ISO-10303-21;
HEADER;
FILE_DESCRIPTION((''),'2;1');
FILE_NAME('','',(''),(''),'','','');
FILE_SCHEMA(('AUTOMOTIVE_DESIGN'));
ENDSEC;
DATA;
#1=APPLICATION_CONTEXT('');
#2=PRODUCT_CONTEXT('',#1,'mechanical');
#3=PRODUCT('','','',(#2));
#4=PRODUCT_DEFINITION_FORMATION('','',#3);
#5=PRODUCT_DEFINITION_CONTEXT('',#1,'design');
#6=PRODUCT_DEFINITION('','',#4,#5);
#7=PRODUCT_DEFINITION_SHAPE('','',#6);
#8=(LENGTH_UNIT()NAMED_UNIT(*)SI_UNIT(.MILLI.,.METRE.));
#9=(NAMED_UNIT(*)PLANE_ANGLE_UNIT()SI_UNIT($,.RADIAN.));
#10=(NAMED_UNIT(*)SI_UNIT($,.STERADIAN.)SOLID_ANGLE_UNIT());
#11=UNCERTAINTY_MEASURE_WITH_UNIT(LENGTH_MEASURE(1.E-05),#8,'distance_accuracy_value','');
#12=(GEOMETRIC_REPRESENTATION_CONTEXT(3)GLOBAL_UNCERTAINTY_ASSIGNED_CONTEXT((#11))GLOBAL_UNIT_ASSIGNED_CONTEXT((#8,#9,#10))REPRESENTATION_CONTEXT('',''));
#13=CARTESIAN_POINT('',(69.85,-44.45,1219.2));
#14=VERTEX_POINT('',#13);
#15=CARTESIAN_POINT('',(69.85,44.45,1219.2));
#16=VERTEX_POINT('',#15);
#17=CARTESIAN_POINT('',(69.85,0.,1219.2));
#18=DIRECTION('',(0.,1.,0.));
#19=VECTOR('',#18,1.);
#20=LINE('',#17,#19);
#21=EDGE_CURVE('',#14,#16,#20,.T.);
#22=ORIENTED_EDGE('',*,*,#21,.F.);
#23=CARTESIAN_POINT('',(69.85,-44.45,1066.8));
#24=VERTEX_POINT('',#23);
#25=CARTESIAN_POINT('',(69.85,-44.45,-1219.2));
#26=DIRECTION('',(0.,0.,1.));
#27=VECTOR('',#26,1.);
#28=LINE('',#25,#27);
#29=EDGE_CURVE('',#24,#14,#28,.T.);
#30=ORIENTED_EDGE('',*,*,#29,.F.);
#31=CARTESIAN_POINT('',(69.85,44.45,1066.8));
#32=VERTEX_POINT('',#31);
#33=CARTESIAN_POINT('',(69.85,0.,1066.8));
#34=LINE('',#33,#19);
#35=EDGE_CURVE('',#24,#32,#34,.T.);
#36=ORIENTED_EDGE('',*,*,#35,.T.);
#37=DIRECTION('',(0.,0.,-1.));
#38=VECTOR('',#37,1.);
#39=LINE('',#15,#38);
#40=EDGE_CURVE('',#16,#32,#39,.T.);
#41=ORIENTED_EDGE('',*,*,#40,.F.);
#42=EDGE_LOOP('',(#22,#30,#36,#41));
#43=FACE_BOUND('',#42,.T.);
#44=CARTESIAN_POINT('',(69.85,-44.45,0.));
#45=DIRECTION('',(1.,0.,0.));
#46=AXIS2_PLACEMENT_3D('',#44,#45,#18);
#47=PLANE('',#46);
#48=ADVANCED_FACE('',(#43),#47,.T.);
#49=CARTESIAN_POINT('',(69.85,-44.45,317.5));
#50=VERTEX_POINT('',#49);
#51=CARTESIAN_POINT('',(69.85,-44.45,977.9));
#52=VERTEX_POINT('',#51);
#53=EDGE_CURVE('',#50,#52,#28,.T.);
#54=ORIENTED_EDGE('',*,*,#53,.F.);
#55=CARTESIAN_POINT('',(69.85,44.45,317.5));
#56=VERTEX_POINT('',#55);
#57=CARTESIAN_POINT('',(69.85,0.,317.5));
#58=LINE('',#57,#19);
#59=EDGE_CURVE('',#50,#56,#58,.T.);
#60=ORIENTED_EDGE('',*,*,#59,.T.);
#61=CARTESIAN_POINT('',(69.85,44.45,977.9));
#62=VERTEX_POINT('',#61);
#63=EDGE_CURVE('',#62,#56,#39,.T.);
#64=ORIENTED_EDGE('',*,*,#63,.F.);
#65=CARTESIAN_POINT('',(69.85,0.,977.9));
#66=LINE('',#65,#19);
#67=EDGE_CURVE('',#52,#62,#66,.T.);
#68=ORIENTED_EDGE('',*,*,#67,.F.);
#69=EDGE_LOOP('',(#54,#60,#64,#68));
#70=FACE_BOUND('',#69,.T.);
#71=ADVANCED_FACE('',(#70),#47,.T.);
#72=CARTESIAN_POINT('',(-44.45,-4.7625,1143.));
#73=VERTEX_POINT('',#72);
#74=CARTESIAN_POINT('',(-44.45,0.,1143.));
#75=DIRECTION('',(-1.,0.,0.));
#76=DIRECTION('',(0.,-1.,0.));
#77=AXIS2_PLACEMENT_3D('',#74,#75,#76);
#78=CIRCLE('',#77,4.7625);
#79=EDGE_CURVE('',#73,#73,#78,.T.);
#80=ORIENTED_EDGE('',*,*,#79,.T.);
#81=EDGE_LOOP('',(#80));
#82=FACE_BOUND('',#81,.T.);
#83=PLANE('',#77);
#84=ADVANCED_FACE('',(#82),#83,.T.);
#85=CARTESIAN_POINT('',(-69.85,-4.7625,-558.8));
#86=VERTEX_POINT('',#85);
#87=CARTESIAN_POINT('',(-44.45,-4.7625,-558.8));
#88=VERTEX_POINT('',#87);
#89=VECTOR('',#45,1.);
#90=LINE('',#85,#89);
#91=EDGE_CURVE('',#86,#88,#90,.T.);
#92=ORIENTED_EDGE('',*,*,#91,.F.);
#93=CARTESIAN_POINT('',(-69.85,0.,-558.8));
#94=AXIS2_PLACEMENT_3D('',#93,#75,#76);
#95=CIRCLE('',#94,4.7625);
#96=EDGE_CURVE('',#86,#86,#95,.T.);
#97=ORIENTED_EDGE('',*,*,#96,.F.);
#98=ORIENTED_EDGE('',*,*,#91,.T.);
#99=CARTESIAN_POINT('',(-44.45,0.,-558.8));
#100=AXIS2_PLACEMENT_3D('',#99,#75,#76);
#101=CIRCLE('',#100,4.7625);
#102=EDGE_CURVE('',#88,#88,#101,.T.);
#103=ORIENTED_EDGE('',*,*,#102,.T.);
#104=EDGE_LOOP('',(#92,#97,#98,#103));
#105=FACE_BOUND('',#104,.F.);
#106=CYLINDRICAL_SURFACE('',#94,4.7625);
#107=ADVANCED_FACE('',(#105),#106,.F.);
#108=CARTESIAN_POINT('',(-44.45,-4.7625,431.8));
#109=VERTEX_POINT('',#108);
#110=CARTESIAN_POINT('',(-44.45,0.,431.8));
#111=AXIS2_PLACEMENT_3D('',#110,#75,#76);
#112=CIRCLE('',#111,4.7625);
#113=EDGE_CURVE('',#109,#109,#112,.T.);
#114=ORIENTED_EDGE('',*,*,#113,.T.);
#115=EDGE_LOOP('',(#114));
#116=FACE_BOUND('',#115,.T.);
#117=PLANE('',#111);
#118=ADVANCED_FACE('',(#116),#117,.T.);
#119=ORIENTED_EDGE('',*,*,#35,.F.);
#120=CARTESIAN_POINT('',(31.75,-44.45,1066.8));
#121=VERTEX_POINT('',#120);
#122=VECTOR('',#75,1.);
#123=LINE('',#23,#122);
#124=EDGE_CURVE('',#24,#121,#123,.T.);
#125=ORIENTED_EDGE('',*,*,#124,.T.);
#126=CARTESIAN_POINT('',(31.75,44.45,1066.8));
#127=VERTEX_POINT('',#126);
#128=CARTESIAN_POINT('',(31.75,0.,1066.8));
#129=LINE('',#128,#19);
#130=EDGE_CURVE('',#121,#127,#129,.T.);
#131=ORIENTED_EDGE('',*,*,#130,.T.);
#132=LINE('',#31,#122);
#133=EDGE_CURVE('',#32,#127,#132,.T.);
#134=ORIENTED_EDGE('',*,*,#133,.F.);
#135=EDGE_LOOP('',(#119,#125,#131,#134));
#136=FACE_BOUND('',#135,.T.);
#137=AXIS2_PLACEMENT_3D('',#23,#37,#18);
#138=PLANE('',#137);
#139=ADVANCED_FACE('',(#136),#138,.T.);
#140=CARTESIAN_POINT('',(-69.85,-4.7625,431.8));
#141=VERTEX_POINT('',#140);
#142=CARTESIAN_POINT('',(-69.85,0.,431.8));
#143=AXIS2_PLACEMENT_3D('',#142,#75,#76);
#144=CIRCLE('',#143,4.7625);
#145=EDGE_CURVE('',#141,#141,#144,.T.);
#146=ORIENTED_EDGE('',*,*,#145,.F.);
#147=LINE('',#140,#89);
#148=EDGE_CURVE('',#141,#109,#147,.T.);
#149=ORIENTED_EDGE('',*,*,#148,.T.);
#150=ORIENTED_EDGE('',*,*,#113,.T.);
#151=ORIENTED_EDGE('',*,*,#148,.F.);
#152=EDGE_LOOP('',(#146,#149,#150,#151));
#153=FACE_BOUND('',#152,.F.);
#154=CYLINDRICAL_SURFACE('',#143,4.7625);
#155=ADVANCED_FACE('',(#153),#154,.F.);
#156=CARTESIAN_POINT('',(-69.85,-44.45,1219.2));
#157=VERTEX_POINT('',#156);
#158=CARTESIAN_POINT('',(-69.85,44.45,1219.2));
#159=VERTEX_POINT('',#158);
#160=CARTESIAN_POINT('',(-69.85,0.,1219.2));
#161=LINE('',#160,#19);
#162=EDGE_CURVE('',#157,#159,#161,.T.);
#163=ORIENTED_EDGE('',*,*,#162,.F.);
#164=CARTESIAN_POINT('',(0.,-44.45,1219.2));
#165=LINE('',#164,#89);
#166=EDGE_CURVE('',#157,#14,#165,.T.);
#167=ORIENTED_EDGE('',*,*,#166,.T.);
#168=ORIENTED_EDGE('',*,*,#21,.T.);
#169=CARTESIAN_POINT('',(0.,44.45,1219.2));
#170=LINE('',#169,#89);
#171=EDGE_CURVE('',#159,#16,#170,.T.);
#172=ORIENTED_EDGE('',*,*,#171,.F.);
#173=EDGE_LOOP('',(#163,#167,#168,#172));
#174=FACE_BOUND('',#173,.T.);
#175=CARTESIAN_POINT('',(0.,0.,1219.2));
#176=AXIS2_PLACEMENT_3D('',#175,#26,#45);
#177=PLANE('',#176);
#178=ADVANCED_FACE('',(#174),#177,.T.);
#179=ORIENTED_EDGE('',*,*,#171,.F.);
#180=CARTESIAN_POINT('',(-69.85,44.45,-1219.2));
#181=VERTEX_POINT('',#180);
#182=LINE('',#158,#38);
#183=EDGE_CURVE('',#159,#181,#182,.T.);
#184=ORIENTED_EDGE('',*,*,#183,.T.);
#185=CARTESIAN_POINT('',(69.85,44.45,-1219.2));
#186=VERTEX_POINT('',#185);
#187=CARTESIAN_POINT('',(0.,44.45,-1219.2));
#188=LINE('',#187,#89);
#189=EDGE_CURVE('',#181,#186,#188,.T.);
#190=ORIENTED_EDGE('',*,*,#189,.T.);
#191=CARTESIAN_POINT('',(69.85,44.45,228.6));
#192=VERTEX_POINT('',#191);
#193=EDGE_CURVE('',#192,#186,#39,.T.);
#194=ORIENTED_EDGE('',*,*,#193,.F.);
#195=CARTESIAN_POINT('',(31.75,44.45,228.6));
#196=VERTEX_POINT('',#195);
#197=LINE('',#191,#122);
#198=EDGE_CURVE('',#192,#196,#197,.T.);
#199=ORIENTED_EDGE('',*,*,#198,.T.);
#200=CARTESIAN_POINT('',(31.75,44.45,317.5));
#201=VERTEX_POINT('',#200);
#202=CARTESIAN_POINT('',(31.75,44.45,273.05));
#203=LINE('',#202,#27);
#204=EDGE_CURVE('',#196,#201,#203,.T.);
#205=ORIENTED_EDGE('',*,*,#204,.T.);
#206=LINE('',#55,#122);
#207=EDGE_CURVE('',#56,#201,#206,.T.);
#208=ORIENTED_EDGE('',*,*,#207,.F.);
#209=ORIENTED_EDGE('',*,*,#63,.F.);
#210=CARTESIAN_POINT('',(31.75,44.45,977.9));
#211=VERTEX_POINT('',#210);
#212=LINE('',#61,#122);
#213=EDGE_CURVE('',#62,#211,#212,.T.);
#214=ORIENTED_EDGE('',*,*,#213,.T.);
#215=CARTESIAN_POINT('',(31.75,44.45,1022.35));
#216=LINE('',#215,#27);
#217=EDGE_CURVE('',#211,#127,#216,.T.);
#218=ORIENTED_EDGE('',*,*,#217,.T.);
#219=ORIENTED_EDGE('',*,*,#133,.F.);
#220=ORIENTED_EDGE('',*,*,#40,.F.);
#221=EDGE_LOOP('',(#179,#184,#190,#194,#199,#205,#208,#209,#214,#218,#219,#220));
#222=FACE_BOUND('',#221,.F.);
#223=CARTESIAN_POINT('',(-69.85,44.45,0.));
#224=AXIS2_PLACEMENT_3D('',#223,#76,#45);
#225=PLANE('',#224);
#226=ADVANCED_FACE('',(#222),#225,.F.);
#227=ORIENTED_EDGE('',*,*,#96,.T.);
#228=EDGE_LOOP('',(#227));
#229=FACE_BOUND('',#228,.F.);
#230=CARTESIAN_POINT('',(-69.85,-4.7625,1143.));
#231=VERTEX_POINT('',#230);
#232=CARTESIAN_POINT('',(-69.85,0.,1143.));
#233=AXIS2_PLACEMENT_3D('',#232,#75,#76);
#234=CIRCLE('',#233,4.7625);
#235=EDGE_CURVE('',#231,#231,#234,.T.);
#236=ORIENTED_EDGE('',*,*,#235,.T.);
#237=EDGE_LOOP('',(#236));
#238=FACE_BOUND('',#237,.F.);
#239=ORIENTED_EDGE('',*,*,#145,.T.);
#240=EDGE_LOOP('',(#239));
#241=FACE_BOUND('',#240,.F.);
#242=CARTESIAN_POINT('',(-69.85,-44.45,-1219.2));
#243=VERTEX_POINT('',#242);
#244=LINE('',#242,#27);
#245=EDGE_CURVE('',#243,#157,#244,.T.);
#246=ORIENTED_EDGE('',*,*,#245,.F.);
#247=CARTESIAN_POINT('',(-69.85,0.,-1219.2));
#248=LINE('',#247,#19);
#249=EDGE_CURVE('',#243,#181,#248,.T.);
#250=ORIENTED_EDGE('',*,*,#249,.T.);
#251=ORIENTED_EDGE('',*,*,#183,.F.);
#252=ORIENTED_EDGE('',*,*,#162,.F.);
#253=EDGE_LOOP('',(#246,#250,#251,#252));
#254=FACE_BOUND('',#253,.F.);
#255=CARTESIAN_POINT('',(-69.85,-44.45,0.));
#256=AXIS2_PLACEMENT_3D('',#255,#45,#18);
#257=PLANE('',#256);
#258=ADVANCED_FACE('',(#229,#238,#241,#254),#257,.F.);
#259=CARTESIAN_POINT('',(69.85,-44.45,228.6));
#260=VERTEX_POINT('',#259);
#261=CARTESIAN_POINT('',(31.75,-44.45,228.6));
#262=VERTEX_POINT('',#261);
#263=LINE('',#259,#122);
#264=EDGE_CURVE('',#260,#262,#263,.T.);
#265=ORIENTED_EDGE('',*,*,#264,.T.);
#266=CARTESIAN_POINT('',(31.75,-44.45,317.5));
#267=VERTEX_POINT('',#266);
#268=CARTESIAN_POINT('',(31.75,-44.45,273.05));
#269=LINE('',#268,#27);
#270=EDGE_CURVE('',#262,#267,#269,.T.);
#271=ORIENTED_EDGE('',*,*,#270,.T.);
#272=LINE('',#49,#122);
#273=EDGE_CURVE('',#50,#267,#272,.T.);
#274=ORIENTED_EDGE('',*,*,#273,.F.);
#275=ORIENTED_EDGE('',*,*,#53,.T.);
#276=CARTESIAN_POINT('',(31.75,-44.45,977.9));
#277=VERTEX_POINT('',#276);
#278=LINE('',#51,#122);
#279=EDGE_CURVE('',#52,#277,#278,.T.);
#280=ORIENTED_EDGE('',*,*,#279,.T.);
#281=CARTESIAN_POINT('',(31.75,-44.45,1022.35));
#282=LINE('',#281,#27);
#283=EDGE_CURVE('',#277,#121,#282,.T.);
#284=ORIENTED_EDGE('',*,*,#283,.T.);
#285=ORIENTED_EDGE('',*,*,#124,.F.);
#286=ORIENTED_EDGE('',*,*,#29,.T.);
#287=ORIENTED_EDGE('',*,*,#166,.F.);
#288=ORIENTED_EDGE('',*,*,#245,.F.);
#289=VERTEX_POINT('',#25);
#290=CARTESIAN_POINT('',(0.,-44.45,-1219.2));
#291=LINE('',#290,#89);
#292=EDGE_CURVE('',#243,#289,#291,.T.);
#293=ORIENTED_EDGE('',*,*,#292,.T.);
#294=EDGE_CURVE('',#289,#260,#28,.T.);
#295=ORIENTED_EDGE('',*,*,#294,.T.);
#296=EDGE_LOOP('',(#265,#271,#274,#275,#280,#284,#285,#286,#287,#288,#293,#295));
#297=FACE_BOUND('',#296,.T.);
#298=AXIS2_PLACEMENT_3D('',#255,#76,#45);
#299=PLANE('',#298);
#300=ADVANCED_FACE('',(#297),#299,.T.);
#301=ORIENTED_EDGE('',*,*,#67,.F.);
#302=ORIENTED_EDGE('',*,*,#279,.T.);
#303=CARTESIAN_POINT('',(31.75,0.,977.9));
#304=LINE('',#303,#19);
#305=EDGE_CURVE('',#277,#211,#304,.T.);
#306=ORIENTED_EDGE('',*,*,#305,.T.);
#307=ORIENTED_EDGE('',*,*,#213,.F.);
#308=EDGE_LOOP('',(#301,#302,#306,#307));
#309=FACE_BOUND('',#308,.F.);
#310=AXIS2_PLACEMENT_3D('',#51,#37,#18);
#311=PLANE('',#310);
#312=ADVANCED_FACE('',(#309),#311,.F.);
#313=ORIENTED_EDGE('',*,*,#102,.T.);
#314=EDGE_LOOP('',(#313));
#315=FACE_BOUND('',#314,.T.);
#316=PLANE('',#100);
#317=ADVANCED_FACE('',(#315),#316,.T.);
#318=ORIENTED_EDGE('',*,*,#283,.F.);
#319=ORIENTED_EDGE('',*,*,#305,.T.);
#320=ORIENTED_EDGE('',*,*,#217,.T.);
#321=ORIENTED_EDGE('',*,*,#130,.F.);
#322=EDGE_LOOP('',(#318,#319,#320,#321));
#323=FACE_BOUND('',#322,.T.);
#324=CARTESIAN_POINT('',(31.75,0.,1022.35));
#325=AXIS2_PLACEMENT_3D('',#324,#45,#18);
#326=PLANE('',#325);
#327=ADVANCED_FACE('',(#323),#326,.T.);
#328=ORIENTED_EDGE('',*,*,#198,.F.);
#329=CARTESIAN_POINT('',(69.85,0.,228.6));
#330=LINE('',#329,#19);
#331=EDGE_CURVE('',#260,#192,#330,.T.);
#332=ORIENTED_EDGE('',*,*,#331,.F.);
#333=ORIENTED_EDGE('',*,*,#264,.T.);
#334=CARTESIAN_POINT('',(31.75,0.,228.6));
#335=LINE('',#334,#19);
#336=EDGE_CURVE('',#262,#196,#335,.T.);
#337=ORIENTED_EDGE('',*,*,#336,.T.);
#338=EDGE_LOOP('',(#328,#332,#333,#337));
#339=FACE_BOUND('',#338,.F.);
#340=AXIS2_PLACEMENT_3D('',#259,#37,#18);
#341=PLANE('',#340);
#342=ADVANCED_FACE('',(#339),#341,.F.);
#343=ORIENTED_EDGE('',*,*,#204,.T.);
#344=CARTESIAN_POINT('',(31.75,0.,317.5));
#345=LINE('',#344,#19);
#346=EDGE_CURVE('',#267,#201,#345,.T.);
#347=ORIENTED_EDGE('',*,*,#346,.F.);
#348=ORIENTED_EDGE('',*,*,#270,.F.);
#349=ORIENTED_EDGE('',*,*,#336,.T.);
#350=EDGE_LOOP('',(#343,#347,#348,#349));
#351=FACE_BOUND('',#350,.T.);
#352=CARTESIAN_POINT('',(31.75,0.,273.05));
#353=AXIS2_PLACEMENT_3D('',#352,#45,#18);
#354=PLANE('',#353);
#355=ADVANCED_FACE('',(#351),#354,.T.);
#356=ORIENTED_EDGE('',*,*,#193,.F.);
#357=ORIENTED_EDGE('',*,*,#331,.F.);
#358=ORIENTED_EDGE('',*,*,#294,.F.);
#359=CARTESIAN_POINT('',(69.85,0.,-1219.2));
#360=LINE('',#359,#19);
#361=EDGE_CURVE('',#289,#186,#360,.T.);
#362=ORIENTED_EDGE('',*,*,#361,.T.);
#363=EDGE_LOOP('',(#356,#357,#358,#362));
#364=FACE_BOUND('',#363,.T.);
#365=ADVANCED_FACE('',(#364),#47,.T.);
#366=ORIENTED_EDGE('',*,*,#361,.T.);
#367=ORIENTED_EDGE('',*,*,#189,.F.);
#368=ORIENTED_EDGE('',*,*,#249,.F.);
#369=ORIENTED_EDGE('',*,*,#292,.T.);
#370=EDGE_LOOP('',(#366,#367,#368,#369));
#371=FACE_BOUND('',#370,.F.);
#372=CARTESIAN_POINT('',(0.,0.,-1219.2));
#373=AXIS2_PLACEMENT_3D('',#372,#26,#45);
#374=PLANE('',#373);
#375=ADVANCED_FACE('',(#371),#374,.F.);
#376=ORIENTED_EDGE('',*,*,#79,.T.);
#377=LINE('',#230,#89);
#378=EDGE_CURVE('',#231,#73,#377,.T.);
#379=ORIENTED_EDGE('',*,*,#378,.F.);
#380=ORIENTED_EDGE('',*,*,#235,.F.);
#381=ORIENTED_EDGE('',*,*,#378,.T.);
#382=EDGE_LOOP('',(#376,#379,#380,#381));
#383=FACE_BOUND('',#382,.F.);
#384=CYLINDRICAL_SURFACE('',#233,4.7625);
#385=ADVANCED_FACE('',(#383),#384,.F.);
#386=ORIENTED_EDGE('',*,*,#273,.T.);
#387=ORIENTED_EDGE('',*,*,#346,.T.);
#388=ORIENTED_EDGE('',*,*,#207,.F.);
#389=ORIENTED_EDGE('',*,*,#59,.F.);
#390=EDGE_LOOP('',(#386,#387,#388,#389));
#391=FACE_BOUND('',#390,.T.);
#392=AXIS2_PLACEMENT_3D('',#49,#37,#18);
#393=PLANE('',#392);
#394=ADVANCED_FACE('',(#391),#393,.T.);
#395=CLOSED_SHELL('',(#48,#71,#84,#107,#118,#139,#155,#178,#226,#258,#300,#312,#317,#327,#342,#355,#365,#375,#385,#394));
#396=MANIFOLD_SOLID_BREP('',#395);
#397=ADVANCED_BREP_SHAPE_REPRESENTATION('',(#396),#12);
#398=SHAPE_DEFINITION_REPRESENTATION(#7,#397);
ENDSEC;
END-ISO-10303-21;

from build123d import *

# Parameters (mm, degrees)
F0_W     = 139.7
F0_H     = 88.9
F1_DEPTH = 1219.2
F2_W     = 88.9
F2_H     = 88.9
F3_DEPTH = 38.1
F4_R     = 4.7625
F5_DEPTH = 25.4


with BuildPart() as f1:
    # F0 (on Top) → F1 (new body, symmetric)
    with BuildSketch(Plane.XY):
        Rectangle(F0_W, F0_H)
    extrude(amount=F1_DEPTH, both=True)

    # F2 (on face) → F3 (cut)
    with BuildSketch(Plane.YZ.offset(69.85)):
        with Locations((0, 1022.35)):
            Rectangle(F2_W, F2_H)
        with Locations((0, 273.05)):
            Rectangle(F2_W, F2_H)
    extrude(amount=-F3_DEPTH, mode=Mode.SUBTRACT)

    # F4 (on face) → F5 (cut)
    with BuildSketch(Plane(origin=(-69.85, 0, 0), x_dir=(0, -1, 0), z_dir=(-1, 0, 0))):
        with Locations((0, -558.8)):
            Circle(F4_R)
        with Locations((0, 1143)):
            Circle(F4_R)
        with Locations((0, 431.8)):
            Circle(F4_R)
    extrude(amount=-F5_DEPTH, mode=Mode.SUBTRACT)


solid = f1.part
